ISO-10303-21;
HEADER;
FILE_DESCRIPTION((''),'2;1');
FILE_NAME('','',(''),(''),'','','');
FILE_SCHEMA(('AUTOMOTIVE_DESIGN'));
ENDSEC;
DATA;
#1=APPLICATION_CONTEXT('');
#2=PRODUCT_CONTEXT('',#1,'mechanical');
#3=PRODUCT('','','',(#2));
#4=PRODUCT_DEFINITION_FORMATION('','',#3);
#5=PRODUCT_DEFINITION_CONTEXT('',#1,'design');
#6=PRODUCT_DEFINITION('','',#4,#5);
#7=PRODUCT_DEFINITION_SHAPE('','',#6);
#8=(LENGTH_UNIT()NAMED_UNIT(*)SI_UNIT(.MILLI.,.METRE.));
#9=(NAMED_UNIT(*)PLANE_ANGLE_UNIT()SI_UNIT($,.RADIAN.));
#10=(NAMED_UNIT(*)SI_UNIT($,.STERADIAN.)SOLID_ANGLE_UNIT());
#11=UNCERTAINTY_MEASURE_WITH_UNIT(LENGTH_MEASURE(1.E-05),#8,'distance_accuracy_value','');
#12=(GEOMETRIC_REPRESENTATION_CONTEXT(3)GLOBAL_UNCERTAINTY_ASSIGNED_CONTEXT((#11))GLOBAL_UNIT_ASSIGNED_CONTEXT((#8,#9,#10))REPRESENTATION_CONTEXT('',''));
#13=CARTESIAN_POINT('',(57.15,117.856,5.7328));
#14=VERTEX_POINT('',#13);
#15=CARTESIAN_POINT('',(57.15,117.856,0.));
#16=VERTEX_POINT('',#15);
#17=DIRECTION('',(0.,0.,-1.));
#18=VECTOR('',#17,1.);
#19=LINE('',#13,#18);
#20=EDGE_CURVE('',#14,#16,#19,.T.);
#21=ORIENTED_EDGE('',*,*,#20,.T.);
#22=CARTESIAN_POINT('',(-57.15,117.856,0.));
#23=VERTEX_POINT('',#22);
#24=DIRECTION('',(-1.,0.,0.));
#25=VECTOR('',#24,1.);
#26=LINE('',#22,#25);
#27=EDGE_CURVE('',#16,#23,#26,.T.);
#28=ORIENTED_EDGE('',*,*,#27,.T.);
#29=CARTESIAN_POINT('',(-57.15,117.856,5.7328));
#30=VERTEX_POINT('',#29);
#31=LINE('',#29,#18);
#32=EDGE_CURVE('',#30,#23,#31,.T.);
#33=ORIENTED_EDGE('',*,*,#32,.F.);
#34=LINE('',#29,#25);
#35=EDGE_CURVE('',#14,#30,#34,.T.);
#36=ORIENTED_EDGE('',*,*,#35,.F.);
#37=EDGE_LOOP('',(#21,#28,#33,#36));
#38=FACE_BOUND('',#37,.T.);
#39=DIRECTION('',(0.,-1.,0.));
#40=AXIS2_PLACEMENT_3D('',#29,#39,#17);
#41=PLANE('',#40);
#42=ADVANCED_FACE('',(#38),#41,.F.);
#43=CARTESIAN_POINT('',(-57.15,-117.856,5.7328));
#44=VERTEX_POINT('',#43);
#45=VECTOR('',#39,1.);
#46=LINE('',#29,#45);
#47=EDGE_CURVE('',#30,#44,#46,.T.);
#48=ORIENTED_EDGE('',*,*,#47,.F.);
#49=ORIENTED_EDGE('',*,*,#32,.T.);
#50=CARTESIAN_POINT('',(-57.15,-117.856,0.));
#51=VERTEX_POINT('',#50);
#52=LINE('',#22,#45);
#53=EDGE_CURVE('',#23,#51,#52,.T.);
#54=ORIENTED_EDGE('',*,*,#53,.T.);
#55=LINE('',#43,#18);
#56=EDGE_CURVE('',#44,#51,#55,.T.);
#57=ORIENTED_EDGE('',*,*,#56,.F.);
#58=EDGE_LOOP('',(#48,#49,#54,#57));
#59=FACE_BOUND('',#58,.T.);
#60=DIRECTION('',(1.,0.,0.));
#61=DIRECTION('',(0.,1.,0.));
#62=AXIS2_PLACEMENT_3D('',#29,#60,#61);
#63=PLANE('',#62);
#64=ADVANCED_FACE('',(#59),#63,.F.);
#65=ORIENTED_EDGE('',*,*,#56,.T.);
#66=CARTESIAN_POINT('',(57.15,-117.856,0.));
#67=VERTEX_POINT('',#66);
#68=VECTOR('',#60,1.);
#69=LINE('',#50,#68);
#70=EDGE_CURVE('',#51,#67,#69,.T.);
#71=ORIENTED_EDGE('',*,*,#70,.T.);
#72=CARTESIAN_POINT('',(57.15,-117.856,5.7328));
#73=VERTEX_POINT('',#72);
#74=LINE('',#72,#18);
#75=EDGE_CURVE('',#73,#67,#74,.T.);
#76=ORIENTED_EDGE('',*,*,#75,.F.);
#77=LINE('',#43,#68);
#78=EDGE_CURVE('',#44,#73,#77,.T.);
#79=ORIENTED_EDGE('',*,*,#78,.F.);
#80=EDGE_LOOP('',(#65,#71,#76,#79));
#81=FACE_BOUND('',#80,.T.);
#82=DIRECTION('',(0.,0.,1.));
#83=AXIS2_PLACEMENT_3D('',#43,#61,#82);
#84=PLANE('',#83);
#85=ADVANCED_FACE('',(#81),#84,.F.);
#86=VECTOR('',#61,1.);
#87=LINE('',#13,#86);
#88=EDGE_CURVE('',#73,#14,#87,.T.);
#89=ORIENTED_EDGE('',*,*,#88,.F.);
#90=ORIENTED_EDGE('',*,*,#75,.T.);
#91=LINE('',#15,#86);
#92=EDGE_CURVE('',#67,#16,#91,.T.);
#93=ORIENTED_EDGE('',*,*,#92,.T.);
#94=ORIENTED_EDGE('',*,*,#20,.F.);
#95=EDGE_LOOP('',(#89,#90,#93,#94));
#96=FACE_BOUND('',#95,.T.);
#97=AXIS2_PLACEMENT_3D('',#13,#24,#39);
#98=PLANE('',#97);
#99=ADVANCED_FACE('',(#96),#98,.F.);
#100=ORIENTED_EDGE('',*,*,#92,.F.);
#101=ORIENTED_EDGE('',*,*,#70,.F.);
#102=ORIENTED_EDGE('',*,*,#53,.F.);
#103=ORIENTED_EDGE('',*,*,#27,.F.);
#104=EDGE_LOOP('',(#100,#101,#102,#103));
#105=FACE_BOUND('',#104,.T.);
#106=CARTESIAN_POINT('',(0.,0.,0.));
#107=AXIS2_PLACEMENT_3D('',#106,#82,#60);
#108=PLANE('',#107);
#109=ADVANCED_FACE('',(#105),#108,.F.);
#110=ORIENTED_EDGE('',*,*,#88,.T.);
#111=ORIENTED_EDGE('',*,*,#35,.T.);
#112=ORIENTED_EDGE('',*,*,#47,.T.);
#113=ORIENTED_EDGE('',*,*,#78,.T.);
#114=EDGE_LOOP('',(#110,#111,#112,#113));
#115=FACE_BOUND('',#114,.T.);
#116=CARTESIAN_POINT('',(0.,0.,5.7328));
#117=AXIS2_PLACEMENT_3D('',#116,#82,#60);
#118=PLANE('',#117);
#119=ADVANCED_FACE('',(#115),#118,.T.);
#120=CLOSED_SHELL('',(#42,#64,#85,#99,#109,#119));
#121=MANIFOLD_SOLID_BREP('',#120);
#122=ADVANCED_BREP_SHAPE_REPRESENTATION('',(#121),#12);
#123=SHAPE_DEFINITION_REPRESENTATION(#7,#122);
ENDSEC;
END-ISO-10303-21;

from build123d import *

# Parameters (mm, degrees)
SKETCH1_W           = 114.3
SKETCH1_H           = 235.712
BOSS_EXTRUDE1_DEPTH = 5.732800066


with BuildPart() as part:
    # Sketch1 → Boss-Extrude1 (new body)
    with BuildSketch(Plane.XY):
        Rectangle(SKETCH1_W, SKETCH1_H)
    extrude(amount=BOSS_EXTRUDE1_DEPTH)


solid = part.part
